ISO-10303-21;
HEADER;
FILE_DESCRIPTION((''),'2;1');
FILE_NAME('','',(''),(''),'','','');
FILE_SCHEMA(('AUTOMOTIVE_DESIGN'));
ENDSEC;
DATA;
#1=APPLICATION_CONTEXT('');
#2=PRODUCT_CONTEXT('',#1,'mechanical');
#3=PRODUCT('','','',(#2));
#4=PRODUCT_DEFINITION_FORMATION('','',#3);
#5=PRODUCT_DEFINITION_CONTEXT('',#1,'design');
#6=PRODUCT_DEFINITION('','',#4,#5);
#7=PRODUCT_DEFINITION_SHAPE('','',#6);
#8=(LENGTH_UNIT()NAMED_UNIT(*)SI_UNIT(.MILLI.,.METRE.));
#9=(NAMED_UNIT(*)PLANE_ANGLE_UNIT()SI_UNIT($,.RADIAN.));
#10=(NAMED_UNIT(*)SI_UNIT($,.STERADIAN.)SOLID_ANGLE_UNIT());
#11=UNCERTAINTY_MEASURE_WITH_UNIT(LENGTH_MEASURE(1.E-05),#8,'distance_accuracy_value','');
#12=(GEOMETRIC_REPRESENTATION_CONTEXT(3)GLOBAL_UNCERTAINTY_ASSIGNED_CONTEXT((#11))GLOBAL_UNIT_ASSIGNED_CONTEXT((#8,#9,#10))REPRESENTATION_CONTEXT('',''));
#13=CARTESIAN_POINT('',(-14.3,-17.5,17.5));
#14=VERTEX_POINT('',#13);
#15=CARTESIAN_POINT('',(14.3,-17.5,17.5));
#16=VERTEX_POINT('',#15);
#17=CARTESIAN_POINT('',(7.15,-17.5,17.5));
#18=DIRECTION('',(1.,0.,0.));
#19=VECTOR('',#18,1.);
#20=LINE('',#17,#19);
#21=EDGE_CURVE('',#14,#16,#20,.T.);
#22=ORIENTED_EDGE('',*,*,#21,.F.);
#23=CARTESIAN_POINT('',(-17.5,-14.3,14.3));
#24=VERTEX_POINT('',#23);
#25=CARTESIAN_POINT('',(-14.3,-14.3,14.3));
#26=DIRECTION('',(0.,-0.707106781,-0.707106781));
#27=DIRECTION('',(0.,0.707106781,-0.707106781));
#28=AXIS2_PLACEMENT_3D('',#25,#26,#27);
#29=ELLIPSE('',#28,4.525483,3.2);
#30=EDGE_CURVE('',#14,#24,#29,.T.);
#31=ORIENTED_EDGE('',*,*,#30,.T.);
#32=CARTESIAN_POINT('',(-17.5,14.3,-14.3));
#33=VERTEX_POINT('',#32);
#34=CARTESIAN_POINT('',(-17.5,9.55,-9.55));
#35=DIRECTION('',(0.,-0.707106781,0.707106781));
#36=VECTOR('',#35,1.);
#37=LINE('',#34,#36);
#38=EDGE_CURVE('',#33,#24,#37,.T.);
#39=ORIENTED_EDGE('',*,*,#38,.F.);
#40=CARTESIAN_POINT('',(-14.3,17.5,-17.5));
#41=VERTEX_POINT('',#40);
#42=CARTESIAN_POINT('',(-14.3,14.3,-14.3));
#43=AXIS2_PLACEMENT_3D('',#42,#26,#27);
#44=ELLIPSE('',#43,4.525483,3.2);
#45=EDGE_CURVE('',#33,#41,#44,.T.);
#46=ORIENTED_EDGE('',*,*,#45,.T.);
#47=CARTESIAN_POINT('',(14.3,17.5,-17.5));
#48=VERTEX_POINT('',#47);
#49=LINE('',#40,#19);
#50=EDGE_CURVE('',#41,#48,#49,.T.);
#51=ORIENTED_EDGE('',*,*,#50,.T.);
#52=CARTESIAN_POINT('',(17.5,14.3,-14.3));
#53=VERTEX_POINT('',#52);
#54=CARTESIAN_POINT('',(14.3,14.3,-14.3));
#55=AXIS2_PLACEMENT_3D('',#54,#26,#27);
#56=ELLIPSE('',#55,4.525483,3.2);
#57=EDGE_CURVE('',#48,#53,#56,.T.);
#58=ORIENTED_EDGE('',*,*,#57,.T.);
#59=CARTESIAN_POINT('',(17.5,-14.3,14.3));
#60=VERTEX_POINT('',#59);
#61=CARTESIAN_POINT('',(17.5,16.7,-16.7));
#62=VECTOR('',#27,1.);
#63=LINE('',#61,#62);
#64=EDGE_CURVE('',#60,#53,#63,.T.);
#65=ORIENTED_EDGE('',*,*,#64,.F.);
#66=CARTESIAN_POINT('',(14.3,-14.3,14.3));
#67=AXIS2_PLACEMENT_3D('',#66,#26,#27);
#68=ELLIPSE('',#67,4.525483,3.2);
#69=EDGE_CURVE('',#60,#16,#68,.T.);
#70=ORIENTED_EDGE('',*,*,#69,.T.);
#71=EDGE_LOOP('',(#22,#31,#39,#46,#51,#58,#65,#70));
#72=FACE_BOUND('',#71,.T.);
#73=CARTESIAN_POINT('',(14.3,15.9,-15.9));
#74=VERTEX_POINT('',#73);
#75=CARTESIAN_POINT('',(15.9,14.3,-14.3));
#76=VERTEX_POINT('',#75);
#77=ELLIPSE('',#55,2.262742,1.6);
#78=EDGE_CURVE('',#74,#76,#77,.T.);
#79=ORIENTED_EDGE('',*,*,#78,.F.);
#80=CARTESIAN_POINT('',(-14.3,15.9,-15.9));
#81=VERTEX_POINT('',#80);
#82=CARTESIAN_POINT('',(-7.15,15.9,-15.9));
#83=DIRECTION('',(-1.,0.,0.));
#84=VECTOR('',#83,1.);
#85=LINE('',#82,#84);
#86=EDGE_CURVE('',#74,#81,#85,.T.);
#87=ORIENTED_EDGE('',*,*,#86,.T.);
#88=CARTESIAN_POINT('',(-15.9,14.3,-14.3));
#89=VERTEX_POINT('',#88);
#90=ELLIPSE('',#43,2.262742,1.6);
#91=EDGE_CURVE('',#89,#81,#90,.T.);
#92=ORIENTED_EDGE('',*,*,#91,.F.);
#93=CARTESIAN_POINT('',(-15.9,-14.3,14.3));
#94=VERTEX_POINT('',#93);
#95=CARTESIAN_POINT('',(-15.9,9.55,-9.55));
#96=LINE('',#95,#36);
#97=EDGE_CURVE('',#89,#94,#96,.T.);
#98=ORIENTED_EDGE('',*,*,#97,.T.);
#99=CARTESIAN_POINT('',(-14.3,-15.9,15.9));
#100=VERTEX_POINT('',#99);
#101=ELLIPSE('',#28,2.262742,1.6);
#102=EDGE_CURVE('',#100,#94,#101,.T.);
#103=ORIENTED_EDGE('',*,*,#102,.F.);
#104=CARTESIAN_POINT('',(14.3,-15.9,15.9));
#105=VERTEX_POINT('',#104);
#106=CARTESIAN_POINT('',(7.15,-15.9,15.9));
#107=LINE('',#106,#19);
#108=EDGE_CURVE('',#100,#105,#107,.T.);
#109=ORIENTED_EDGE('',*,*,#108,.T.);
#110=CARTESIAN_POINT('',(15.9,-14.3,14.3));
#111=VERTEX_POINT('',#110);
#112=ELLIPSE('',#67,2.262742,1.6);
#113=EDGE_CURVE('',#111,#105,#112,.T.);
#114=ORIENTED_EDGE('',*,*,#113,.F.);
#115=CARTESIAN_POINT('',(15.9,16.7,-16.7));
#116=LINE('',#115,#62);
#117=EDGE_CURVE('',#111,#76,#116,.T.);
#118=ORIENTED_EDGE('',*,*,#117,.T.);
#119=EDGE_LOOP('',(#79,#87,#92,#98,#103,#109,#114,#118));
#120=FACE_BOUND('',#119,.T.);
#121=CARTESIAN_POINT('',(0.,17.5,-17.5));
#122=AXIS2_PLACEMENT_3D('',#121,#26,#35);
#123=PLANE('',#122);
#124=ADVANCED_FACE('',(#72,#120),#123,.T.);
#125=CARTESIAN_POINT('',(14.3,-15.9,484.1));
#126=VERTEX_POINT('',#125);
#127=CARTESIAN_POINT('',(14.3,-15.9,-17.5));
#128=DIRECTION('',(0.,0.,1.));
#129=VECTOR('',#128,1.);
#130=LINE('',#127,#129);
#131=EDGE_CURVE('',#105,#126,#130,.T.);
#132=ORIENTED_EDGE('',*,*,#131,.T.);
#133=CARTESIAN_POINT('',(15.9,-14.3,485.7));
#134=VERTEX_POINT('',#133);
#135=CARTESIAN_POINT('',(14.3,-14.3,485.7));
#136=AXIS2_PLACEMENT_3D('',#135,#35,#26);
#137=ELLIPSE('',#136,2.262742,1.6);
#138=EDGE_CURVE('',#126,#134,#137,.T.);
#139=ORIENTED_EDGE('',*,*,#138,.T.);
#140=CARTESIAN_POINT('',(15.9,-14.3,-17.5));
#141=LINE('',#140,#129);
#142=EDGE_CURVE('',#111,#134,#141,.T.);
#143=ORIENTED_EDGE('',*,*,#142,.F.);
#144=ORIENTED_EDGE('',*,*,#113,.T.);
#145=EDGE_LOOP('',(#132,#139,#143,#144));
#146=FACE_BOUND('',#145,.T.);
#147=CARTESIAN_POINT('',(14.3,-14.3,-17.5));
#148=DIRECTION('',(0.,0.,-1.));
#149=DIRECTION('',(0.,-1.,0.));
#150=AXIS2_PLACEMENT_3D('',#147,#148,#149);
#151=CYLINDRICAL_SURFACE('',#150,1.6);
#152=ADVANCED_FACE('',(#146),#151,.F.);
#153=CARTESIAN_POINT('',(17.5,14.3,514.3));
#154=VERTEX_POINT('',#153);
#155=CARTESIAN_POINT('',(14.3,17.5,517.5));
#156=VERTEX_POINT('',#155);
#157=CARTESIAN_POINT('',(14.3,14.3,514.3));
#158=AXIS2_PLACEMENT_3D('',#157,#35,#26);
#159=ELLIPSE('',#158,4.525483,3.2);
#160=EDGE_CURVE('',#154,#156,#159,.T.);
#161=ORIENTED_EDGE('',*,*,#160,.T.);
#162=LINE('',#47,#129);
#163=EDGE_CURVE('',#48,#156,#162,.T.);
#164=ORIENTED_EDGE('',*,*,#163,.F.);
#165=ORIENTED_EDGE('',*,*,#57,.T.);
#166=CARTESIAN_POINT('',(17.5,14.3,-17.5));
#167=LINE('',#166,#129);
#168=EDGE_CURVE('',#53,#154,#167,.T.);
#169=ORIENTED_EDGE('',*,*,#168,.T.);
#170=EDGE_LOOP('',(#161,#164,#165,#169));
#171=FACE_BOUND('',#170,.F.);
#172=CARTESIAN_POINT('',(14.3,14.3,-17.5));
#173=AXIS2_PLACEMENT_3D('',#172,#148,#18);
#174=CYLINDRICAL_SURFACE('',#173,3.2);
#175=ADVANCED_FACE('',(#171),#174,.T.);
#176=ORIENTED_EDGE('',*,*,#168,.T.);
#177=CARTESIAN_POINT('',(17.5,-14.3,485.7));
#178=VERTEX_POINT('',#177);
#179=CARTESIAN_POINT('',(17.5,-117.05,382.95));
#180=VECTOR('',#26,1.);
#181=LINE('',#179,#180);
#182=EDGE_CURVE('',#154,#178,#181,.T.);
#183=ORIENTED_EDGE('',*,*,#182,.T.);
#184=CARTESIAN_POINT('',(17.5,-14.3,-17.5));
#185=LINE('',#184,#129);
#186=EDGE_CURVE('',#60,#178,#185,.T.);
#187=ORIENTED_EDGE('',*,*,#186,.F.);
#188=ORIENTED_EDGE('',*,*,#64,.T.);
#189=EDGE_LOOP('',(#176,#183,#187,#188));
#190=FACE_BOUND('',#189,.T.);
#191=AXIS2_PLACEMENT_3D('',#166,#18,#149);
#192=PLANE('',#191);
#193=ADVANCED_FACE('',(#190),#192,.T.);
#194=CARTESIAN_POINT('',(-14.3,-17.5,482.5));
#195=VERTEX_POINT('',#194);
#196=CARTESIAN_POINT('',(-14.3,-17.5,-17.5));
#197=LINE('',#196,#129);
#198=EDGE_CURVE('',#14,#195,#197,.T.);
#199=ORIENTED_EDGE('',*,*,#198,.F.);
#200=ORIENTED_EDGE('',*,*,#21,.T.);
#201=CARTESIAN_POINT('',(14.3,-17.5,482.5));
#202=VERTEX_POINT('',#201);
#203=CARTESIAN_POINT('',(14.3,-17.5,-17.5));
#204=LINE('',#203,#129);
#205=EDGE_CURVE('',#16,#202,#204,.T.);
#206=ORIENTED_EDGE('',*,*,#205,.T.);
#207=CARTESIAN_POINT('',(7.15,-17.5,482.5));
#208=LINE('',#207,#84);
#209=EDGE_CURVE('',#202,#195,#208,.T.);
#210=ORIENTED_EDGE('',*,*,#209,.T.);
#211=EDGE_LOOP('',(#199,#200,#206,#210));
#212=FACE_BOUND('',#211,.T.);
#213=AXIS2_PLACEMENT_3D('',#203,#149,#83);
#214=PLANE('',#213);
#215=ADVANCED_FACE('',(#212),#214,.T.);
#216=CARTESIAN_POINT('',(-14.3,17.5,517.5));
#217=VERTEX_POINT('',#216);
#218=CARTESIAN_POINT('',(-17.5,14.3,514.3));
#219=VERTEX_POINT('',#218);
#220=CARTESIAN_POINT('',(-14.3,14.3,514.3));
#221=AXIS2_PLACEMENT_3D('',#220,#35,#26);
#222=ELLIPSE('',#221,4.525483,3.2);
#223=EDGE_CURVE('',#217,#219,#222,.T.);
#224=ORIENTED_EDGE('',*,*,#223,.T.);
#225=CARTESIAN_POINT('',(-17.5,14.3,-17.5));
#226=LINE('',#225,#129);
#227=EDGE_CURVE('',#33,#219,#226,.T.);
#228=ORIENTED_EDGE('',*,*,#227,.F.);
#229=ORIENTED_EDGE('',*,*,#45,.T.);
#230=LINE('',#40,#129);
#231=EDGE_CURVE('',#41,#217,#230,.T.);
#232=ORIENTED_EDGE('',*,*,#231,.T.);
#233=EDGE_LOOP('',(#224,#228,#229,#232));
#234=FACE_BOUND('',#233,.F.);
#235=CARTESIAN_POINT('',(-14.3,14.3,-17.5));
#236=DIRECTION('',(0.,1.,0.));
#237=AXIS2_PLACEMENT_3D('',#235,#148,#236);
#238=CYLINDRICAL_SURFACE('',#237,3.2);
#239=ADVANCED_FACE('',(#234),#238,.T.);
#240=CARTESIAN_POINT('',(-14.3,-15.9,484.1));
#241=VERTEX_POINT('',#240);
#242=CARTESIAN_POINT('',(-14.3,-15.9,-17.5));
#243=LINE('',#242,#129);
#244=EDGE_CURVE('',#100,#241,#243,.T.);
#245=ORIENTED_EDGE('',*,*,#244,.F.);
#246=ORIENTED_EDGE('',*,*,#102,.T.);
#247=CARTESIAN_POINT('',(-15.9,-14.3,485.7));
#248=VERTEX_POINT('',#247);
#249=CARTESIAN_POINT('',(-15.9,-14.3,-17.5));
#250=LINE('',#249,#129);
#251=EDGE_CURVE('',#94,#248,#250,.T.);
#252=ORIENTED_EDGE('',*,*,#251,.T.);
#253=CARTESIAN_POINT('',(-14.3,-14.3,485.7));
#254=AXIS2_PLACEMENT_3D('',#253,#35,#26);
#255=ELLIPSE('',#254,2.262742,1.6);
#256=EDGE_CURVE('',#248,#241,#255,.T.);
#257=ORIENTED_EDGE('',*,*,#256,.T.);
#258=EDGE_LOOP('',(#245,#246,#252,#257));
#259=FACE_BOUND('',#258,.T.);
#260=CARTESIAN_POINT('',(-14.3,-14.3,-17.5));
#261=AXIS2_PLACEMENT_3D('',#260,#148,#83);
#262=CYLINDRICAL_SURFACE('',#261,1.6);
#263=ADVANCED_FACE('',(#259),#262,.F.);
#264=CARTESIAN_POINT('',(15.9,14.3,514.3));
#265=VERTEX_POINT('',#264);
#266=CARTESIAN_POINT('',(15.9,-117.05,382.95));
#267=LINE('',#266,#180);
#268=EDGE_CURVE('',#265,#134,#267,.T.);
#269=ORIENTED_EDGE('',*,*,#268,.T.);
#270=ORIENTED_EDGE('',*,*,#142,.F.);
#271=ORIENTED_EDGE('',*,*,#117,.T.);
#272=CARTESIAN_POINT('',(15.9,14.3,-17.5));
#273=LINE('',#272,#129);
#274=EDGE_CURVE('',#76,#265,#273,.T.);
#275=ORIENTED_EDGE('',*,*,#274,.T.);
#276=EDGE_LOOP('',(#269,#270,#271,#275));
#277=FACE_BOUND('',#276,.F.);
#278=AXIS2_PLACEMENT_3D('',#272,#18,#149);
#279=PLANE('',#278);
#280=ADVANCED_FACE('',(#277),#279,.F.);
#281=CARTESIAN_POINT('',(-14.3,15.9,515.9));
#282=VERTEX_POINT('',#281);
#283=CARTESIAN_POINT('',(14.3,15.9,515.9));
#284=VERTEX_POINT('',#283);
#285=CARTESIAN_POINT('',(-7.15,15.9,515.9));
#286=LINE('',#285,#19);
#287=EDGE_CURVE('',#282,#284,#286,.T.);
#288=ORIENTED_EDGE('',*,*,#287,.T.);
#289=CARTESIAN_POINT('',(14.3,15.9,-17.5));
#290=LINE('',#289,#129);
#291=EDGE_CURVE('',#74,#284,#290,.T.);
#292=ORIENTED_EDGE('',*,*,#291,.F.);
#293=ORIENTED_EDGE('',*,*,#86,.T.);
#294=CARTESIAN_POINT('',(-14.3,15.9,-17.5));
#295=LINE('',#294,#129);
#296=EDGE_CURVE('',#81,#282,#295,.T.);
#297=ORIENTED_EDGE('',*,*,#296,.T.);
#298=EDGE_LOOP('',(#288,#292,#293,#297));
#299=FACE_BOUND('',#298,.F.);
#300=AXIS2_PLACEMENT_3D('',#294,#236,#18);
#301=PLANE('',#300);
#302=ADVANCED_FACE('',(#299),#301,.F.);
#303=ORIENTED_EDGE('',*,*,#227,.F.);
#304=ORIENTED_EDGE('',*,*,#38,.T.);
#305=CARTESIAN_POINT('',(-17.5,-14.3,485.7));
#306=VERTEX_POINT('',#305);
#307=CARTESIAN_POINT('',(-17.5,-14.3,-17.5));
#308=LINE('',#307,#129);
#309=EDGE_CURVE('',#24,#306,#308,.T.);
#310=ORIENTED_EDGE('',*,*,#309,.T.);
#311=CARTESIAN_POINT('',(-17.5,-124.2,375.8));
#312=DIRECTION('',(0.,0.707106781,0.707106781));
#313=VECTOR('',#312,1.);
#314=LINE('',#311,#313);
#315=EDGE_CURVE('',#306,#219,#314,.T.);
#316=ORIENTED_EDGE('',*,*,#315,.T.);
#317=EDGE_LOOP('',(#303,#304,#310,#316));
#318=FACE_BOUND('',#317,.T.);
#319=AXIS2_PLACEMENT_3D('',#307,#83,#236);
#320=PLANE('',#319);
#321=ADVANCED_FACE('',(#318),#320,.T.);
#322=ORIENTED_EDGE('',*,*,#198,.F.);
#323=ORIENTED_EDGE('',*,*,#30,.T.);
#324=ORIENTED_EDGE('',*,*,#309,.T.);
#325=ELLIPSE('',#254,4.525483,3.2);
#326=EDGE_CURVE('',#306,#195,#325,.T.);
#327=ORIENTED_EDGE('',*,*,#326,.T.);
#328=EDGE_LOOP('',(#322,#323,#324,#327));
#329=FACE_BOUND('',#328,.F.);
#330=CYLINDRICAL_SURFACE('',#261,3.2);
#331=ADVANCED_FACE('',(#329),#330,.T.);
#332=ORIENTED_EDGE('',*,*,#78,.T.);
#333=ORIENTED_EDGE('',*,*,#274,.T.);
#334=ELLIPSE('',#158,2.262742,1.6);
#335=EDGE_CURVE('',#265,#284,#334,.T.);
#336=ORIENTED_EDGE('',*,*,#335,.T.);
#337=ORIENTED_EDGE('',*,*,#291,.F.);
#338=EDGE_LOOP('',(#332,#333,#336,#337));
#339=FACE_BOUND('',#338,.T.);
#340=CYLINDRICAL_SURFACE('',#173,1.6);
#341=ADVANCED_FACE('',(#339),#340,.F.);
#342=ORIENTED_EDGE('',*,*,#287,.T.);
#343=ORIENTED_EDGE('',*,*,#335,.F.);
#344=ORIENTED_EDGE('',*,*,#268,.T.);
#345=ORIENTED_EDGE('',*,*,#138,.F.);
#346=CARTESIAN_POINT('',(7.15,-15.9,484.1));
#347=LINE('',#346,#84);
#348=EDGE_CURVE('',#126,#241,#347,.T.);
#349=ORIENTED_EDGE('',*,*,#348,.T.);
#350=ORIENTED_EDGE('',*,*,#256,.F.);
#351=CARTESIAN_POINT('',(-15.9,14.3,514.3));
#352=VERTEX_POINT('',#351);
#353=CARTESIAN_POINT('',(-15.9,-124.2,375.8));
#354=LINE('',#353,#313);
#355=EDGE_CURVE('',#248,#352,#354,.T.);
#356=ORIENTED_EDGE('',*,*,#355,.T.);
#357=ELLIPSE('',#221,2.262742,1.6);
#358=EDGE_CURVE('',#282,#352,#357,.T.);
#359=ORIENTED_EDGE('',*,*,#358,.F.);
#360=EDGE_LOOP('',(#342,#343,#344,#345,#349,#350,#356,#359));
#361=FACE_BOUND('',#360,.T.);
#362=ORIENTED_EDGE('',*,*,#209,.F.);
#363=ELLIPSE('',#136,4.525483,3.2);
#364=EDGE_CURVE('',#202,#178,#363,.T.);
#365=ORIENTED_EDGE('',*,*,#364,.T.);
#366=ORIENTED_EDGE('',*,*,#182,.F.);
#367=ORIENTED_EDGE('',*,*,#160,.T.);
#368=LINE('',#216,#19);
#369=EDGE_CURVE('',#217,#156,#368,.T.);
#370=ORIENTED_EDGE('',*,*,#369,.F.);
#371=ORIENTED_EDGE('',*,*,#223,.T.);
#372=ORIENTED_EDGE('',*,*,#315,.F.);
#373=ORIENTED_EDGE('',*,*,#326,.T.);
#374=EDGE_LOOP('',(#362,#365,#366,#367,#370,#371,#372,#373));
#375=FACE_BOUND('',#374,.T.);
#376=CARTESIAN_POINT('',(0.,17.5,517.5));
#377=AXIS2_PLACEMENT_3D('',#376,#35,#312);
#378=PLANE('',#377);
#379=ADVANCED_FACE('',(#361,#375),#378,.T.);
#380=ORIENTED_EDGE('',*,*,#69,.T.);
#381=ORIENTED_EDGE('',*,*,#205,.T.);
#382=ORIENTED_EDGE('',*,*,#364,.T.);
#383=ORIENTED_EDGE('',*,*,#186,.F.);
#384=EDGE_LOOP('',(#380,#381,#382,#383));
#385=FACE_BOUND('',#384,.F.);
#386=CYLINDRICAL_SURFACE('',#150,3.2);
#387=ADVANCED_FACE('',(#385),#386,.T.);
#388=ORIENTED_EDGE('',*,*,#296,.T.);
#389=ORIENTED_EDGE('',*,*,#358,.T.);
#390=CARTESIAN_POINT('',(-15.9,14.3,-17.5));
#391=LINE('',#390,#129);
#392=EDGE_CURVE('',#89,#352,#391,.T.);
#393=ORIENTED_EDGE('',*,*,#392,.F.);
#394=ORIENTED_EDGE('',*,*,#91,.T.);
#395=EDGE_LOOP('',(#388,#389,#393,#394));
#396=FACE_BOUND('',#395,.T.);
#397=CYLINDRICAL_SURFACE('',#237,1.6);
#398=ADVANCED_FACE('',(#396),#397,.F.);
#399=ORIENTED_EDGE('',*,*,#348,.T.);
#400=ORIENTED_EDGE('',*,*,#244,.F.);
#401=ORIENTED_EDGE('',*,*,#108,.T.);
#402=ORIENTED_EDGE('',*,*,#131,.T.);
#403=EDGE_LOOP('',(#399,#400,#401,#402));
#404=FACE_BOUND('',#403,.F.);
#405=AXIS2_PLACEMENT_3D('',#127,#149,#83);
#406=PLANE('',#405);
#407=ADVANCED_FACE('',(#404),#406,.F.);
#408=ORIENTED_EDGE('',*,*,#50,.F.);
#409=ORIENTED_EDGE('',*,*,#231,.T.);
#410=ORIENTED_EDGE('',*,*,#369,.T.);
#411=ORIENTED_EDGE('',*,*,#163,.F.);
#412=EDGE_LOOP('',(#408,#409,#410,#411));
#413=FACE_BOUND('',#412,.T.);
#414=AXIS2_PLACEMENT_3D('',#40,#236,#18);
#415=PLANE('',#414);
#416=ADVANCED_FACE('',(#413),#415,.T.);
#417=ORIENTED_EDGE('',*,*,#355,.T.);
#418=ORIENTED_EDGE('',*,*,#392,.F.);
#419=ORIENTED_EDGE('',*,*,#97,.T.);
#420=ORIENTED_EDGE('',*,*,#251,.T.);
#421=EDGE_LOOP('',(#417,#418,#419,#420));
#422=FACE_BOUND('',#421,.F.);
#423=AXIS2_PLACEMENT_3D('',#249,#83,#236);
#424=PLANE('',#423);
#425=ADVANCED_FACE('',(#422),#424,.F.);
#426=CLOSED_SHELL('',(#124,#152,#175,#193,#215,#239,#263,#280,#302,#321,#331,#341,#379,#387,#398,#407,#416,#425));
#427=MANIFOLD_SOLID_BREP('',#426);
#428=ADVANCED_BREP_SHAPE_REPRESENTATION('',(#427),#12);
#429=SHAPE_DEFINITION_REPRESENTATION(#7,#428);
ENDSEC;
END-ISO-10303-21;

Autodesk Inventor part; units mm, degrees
ref_plane "Start plane" through (0, 0, -17.5) normal (0, 0, 1) x (1, 0, 0)
ref_plane "End plane" through (0, 0, 517.5) normal (0, 0, 1) x (1, 0, 0)
sketch "Sketch" plane through (0, 0, 0) normal (0, 0, 1) x (1, 0, 0)
  line L0 (-17.5, -14.3) -> (-17.5, 14.3)
  line L1 (-14.3, 17.5) -> (14.3, 17.5)
  line L2 (17.5, 14.3) -> (17.5, -14.3)
  line L3 (14.3, -17.5) -> (-14.3, -17.5)
  arc A0 (-17.5, -14.3) -> (-14.3, -17.5) centre (-14.3, -14.3) ccw
  arc A1 (-14.3, 17.5) -> (-17.5, 14.3) centre (-14.3, 14.3) ccw
  arc A2 (17.5, 14.3) -> (14.3, 17.5) centre (14.3, 14.3) ccw
  arc A3 (14.3, -17.5) -> (17.5, -14.3) centre (14.3, -14.3) ccw
  arc A4 (-14.3, 15.9) -> (-15.9, 14.3) centre (-14.3, 14.3) ccw
  line L4 (-14.3, 15.9) -> (14.3, 15.9)
  arc A5 (15.9, 14.3) -> (14.3, 15.9) centre (14.3, 14.3) ccw
  line L5 (15.9, 14.3) -> (15.9, -14.3)
  arc A6 (14.3, -15.9) -> (15.9, -14.3) centre (14.3, -14.3) ccw
  line L6 (14.3, -15.9) -> (-14.3, -15.9)
  arc A7 (-15.9, -14.3) -> (-14.3, -15.9) centre (-14.3, -14.3) ccw
  line L7 (-15.9, -14.3) -> (-15.9, 14.3)
  line L8 (0, 25.4278) -> (0, -25.4278) construction
  line L9 (-25.4278, 0) -> (25.4278, 0) construction
  dimension "d7" = 3.2
  dimension "d10" = 35
  dimension "d11" = 35
  dimension "d12" = 1.6
  dimension "d15" = 17.5
  dimension "d16" = 17.5
extrude "Body" add sketch "Sketch" along normal up to surface (535 mm away) from surface at -17.5
sketch "Sketch3" plane through (0, 0, 0) normal (0, 0, 1) x (1, 0, 0)
  line L0 (0, 0) -> (10, 0)
ref_plane "Work Plane3" through (0, 0, 0) normal (0, -1, 0) x (1, 0, 0)
sketch "Sketch4" plane through (0, 0, 0) normal (0, -1, 0) x (1, 0, 0)
  line L0 (-2, -17.5) -> (12, -17.5)
  line L1 (-2, 517.5) -> (12, 517.5)
  dimension "d18" = 535
ref_plane "Work Plane13" through (0, 17.5, 517.5) normal (0, -0.7071, 0.7071) x (1, 0, 0)
split "Split4" plane through (0, 17.5, 517.5) removes the side toward (0, -0.7071, 0.7071)
ref_plane "Work Plane14" through (0, 17.5, -17.5) normal (0, -0.7071, -0.7071) x (1, 0, 0)
split "Split5" plane through (0, 17.5, -17.5) removes the side toward (0, -0.7071, -0.7071)
equation "\"d7\" = G_IR"
equation "\"d10\" = G_H"
equation "\"d11\" = G_W"
equation "\"d12\" = G_T"
equation "\"d15\" = 0.5 * d10"
equation "\"d16\" = 0.5 * d11"
equation "\"d3\" = G_L"
equation "\"G_W\" = 35"
equation "\"G_H\" = 35"
equation "\"G_T\" = 1.6"
equation "\"G_IR\" = 3.2"
equation "\"G_L\" = d18"
equation "\"G_OFFSET_START\" = 17.5"
equation "\"G_OFFSET_END\" = 17.5"
equation "\"d13\" = -G_OFFSET_START"
equation "\"d14\" = G_OFFSET_END + B_L"
equation "\"B_L\" = 500"
properties part number "AS 1163 - C350L0 35x35x1.6 SHS - 535" material "Steel, Mild"
